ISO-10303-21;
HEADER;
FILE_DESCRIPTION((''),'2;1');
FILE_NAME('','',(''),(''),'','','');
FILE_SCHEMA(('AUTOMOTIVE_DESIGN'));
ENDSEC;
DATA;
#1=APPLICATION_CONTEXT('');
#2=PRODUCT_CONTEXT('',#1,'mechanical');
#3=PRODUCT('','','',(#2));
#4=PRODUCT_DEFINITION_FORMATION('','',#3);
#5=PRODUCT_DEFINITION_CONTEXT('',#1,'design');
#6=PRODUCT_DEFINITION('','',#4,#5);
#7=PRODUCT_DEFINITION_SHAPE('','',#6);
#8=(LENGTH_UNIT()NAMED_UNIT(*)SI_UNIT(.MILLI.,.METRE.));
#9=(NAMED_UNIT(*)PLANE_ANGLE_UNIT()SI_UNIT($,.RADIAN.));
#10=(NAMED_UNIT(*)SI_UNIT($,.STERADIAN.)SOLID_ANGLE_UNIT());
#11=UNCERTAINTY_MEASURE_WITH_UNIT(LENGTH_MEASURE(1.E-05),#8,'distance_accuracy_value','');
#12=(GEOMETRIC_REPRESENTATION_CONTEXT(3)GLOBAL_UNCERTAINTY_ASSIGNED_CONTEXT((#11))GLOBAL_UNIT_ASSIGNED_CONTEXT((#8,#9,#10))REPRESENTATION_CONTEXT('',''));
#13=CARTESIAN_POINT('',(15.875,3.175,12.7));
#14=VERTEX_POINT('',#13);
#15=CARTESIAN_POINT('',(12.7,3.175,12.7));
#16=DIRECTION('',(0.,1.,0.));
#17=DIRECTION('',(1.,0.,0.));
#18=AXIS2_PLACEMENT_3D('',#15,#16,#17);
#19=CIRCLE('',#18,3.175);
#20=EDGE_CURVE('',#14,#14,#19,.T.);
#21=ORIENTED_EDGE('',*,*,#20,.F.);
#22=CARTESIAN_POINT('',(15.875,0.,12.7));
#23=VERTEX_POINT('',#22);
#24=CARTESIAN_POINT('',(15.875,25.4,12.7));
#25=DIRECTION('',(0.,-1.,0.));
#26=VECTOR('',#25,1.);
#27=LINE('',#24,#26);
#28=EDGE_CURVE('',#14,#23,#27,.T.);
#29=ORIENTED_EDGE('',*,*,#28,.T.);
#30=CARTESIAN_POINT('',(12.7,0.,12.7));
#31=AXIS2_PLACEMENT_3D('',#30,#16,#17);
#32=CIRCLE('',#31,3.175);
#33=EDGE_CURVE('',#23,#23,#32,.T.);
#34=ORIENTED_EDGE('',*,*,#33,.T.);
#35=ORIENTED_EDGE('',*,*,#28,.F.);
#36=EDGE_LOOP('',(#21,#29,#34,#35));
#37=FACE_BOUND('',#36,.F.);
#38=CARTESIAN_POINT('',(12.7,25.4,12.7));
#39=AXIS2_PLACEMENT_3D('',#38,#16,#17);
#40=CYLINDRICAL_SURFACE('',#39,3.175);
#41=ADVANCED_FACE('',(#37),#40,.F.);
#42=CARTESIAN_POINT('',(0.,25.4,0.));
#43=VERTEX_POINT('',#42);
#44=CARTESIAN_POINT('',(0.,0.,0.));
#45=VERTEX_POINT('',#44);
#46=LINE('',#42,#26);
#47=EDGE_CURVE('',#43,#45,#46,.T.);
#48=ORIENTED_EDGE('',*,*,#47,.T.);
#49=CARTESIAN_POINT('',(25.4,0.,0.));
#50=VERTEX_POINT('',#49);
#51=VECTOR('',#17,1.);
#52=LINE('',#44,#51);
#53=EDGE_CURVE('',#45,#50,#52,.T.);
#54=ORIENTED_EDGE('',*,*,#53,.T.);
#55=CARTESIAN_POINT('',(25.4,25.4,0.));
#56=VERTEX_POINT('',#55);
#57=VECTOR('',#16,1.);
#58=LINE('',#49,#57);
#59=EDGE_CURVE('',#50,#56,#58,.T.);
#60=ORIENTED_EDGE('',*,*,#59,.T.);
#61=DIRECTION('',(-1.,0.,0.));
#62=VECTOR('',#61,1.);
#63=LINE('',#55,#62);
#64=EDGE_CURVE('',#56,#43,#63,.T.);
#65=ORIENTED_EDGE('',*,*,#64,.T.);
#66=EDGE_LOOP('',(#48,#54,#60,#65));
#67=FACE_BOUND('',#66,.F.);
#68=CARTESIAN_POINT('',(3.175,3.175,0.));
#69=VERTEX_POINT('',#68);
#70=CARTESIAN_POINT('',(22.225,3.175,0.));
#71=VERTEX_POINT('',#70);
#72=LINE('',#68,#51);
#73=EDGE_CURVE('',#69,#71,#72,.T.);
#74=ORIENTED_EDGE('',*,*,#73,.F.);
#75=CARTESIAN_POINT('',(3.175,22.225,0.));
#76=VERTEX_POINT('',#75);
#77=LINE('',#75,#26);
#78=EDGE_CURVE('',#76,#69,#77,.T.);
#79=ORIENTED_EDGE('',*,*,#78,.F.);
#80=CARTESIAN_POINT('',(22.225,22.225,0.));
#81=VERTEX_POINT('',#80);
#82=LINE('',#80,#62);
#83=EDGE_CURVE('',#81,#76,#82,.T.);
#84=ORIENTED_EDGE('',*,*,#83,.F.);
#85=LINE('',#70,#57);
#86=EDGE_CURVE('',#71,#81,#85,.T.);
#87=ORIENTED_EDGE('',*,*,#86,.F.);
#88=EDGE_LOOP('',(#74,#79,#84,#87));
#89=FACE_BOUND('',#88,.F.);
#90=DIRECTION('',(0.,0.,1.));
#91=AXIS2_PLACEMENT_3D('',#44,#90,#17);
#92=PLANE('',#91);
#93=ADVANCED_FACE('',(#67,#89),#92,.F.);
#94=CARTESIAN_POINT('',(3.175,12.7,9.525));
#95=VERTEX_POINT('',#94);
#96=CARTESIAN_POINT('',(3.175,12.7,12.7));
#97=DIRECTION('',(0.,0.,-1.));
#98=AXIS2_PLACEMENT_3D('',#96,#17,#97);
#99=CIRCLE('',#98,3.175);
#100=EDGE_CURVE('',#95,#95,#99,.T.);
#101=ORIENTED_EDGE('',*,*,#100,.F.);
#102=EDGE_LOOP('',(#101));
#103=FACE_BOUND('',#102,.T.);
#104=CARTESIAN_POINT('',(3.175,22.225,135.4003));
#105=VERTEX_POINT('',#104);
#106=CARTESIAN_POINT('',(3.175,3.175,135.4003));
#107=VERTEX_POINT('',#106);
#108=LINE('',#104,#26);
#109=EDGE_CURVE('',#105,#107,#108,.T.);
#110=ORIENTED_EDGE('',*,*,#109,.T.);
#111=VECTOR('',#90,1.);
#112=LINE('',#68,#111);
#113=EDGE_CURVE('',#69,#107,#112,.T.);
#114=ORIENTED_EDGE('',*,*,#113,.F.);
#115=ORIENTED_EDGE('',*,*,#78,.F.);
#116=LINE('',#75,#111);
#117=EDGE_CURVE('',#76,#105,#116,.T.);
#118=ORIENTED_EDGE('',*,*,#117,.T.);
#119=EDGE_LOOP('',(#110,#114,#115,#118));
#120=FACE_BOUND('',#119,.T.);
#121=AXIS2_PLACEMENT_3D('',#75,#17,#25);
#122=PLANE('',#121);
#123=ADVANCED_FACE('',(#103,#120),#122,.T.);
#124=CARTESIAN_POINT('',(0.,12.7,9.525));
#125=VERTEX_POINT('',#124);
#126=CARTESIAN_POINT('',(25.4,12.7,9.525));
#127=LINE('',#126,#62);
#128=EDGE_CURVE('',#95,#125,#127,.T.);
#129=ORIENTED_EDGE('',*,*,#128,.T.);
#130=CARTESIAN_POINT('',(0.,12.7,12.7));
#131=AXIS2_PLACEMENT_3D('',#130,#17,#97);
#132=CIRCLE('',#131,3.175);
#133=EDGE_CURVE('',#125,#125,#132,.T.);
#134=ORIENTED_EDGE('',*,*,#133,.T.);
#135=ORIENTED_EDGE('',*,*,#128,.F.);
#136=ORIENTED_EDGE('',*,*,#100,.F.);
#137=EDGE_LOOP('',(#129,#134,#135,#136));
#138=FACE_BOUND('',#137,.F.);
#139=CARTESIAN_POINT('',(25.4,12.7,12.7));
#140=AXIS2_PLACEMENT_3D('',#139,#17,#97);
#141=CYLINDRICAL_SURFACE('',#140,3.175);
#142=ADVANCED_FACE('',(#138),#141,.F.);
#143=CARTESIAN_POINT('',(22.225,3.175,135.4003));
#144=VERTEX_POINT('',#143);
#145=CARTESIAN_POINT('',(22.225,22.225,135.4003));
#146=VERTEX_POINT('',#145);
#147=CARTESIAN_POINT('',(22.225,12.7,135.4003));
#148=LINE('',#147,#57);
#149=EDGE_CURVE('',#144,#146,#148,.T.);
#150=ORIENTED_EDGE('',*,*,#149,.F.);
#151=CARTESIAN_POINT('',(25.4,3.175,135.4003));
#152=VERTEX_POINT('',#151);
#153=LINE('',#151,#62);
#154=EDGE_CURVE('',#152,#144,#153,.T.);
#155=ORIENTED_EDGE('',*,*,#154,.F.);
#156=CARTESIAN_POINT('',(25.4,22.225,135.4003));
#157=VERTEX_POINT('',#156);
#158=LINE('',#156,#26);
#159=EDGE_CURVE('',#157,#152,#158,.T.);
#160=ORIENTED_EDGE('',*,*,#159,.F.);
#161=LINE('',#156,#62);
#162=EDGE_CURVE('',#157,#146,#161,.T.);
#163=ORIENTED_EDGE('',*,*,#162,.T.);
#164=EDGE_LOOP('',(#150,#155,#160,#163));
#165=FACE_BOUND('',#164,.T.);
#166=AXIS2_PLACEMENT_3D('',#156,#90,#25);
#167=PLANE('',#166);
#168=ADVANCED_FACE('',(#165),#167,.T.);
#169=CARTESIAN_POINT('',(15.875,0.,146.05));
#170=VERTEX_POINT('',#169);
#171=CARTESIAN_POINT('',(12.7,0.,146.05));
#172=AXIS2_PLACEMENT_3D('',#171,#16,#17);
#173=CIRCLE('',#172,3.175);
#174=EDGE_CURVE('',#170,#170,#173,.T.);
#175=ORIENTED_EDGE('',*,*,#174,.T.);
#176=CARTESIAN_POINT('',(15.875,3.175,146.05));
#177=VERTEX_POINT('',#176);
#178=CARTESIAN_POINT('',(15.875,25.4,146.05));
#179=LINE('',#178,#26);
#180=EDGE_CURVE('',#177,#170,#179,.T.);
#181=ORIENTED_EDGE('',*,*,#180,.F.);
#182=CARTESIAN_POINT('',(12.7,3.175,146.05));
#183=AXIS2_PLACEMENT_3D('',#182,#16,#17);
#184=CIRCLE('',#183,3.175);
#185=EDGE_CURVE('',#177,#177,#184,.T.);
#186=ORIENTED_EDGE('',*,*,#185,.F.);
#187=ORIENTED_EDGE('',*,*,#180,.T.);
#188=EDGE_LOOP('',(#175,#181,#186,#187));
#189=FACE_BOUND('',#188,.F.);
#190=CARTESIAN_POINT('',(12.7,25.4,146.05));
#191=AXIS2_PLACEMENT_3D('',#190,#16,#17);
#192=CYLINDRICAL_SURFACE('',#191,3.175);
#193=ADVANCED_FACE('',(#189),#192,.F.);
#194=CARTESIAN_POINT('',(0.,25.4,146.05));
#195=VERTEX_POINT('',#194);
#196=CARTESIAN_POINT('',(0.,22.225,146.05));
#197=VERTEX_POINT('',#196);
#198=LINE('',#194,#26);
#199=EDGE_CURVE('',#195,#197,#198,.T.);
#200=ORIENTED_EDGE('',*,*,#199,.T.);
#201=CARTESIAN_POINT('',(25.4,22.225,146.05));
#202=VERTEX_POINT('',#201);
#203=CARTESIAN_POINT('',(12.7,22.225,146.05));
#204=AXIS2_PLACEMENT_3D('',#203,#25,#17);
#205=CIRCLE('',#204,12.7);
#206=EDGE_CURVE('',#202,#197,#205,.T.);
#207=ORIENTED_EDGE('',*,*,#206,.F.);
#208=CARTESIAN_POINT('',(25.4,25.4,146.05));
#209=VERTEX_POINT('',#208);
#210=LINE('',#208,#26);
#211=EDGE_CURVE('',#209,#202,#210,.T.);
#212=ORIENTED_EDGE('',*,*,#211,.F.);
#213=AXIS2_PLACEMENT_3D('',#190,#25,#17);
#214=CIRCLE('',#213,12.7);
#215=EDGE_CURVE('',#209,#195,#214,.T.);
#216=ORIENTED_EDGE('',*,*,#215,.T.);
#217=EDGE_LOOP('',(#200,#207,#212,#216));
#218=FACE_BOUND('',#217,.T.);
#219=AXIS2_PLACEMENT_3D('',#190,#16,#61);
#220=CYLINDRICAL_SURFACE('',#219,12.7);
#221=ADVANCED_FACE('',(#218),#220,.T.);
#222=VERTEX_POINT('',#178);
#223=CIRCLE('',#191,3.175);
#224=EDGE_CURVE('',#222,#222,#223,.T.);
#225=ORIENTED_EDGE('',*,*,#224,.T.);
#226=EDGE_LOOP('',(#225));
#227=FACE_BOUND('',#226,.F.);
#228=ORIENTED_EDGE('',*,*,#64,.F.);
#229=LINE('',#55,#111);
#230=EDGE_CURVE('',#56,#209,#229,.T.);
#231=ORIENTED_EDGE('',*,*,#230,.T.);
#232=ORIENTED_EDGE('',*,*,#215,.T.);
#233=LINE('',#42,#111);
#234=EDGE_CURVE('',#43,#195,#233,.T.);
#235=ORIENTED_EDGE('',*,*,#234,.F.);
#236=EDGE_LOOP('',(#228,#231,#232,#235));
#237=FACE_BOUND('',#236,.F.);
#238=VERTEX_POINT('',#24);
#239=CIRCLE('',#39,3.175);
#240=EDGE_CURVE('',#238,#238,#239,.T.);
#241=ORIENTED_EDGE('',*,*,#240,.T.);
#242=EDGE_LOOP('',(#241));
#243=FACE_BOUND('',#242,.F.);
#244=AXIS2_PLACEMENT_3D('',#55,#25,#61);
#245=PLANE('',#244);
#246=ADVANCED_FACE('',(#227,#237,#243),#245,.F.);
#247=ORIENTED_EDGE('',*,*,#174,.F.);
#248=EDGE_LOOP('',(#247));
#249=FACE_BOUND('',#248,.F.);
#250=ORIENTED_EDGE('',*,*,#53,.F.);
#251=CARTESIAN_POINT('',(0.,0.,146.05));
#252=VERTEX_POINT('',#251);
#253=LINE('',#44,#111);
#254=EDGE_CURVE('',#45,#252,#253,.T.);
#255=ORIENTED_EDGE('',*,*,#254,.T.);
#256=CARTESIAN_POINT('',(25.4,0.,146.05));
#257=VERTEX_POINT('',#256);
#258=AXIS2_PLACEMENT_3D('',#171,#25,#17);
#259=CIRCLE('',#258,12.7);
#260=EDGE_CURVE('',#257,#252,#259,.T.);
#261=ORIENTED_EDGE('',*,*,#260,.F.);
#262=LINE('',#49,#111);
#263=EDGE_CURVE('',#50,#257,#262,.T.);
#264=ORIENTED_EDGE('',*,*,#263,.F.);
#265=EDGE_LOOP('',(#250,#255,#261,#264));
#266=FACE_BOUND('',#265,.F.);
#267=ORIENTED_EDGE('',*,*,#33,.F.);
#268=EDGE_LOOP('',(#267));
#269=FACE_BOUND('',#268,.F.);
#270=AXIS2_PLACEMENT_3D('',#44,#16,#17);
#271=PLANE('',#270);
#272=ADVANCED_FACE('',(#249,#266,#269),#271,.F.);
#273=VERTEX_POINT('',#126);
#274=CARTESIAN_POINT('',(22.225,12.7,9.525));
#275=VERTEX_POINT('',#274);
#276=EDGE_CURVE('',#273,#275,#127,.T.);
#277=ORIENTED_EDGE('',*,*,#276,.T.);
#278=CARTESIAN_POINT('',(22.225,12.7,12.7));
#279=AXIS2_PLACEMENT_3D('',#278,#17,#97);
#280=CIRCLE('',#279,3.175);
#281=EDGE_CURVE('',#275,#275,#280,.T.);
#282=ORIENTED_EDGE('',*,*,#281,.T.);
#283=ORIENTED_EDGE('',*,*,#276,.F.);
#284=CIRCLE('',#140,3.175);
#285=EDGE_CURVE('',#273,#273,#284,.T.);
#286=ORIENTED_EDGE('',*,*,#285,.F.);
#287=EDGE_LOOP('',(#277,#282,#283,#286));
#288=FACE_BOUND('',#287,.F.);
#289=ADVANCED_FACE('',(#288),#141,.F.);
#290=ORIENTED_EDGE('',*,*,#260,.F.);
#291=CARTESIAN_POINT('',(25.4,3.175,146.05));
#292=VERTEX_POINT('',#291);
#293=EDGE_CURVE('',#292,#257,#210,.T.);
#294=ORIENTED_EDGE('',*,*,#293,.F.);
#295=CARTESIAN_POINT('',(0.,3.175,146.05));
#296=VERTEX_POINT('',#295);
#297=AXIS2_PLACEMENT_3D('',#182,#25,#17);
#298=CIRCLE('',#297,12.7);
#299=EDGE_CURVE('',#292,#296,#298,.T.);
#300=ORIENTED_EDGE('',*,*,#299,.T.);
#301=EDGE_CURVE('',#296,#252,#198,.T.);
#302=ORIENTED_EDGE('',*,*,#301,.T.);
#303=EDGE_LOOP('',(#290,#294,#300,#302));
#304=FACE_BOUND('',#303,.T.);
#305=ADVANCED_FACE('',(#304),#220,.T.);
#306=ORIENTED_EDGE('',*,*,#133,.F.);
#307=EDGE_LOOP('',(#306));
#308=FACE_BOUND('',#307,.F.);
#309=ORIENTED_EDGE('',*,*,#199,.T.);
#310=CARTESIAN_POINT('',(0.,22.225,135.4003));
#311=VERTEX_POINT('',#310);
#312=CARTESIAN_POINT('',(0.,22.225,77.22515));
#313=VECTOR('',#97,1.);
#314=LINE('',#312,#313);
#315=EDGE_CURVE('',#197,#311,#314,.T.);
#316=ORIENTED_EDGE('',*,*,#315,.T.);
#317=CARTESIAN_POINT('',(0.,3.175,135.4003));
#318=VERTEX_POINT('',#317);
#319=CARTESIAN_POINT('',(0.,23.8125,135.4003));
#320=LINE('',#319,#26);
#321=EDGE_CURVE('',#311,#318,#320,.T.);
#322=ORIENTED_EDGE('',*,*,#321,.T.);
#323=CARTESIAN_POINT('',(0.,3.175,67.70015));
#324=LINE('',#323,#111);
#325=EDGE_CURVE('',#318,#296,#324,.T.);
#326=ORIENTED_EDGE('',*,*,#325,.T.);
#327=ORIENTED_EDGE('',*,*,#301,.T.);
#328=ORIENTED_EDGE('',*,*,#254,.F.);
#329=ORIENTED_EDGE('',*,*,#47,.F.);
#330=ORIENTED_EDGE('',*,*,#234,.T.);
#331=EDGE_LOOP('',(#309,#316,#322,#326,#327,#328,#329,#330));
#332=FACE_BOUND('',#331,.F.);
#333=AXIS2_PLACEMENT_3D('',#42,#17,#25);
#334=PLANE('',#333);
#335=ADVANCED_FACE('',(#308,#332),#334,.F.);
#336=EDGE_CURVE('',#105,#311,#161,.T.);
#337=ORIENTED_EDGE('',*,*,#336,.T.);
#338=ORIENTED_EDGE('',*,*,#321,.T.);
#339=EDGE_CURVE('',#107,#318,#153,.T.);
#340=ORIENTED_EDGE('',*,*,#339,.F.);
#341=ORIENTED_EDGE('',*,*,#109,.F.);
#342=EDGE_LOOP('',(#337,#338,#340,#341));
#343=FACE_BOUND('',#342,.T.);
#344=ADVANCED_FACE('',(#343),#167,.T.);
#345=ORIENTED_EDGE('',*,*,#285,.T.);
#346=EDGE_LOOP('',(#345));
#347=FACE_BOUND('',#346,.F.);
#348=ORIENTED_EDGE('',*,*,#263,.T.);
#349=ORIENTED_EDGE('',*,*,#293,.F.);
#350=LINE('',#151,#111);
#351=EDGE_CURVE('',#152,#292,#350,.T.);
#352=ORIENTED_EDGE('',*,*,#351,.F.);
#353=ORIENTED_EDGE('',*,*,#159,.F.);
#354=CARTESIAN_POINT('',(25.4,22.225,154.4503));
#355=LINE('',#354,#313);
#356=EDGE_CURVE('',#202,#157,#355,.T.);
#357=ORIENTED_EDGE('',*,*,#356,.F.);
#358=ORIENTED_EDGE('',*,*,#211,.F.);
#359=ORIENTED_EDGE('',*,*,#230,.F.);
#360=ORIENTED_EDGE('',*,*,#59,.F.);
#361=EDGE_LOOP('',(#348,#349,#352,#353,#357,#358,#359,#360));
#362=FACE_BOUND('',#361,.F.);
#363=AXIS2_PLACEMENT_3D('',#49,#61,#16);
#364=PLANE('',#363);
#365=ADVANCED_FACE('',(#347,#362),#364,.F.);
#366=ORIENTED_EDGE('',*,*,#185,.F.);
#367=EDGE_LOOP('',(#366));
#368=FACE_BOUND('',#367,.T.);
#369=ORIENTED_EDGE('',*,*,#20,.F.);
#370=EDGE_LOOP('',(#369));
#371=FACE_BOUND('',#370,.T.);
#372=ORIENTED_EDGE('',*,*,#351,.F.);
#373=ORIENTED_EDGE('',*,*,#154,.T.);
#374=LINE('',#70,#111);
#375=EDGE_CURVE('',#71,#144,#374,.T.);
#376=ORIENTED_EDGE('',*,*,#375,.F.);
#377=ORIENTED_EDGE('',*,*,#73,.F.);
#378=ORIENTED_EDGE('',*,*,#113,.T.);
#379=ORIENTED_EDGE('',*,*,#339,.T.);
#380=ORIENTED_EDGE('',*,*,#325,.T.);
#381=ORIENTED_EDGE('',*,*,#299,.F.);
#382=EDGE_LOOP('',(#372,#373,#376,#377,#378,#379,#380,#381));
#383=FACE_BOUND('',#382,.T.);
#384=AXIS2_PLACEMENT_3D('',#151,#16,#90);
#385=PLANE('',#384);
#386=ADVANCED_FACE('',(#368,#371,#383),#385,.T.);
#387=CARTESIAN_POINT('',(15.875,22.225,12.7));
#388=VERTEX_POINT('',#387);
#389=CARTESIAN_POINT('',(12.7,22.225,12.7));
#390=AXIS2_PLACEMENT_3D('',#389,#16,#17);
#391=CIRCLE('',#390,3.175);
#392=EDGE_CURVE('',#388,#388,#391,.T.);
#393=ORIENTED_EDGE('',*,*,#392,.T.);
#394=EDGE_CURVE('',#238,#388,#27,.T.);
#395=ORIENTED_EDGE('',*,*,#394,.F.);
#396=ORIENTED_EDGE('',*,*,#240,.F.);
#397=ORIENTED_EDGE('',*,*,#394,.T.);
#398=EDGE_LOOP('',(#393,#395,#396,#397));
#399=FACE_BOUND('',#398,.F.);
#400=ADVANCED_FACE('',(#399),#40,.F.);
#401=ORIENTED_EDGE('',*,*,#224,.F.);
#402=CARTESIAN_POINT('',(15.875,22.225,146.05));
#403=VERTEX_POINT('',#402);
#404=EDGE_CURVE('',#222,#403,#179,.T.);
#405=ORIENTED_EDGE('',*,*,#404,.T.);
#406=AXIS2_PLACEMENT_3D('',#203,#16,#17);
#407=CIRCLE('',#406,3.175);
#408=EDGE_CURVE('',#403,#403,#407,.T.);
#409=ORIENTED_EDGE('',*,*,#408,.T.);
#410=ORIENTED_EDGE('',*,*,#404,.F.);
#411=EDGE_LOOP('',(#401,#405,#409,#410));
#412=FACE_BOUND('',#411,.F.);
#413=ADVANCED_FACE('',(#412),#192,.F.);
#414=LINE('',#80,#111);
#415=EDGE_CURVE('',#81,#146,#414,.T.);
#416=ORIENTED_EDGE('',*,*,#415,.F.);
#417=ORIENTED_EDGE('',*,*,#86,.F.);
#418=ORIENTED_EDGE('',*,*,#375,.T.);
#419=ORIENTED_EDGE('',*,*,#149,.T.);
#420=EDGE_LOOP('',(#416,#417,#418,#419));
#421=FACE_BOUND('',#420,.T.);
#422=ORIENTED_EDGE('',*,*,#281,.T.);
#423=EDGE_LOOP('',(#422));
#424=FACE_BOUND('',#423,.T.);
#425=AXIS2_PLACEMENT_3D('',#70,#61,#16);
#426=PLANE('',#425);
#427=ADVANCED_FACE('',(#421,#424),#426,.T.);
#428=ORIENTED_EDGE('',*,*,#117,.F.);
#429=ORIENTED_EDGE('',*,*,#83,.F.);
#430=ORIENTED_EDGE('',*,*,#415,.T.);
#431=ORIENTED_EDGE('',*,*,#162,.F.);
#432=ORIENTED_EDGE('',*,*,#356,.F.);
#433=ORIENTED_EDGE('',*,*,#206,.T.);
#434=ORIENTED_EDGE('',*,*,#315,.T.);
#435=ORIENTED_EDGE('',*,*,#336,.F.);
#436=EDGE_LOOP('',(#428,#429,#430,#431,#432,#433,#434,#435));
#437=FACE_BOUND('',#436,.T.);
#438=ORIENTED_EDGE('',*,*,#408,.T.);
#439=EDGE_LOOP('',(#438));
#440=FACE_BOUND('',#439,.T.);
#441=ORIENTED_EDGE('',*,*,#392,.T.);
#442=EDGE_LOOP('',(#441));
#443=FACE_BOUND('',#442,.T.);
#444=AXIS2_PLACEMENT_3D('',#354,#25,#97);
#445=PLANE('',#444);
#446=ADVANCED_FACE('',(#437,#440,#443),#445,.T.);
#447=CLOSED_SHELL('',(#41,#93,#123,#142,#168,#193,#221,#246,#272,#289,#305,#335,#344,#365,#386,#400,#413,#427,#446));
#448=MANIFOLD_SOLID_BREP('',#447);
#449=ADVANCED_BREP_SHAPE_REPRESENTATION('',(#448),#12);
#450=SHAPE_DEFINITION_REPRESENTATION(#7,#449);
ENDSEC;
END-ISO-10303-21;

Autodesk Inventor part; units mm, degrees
ref_plane "YZ Plane" through (0, 0, 0) normal (1, 0, 0) x (0, 1, 0)
ref_plane "XZ Plane" through (0, 0, 0) normal (0, 1, 0) x (-1, 0, 0)
ref_plane "XY Plane" through (0, 0, 0) normal (0, 0, 1) x (1, 0, 0)
sketch "Sketch1" plane through (0, 0, 0) normal (0, 0, 1) x (1, 0, 0)
  line L0 (0, 0) -> (25.4, 0)
  line L1 (25.4, 0) -> (25.4, 25.4)
  line L2 (25.4, 25.4) -> (0, 25.4)
  line L3 (0, 25.4) -> (0, 0)
  line L4 (3.175, 3.175) -> (22.225, 3.175)
  line L5 (22.225, 3.175) -> (22.225, 22.225)
  line L6 (22.225, 22.225) -> (3.175, 22.225)
  line L7 (3.175, 22.225) -> (3.175, 3.175)
  dimension "d0" = 3.175
  dimension "d1" = 3.175
  dimension "d2" = 3.175
  dimension "d3" = 3.175
  dimension "d4" = 25.4
  dimension "d5" = 25.4
extrude "Extrusion1" add sketch "Sketch1" along normal blind 158.75
sketch "Sketch2" plane through (0, 25.4, 0) normal (0, 1, 0) x (1, 0, 0)
  line L0 (0, -158.75) -> (25.4, -158.75) projected
  line L1 (25.4, 0) -> (25.4, -158.75) projected
  line L2 (25.4, 0) -> (0, 0) projected
  line L3 (0, 0) -> (0, -158.75) projected
  circle A0 centre (12.7, -146.05) radius 3.175
  arc A1 (0, -146.05) -> (25.4, -146.05) centre (12.7, -146.05) ccw
  circle A2 centre (12.7, -12.7) radius 3.175
  point P0 (12.7, 0)
  dimension "d8" = 6.35
  dimension "d17" = 12.7
  dimension "d18" = 6.35
extrude "Extrusion2" cut sketch "Sketch2" against normal through all contours L3 A1 L0 | A1 L1 L0 | A0 | A2
sketch "Sketch3" plane through (25.4, 0, 0) normal (1, 0, 0) x (0, 0, -1)
  line L0 (0, 0) -> (0, 25.4) projected
  line L1 (0, 25.4) -> (-146.05, 25.4) projected
  line L2 (-154.4503, 3.175) -> (-154.4503, 22.225) projected
  line L3 (-154.4503, 22.225) -> (-135.4003, 22.225)
  line L4 (-135.4003, 22.225) -> (-135.4003, 3.175)
  line L5 (-135.4003, 3.175) -> (-154.4503, 3.175)
  line L6 (-154.4503, 3.175) -> (-154.4503, 22.225)
  circle A0 centre (-12.7, 12.7) radius 3.175
  dimension "d11" = 19.05
  dimension "d12" = 6.35
  dimension "d13" = 12.7
  dimension "d14" = 12.7
extrude "Extrusion3" cut sketch "Sketch3" against normal through all
equation "\"d0\" = d3"
equation "\"d1\" = d3"
equation "\"d2\" = d1"
equation "\"d18\" = d8"
properties part number "pnumatic arm lever"
